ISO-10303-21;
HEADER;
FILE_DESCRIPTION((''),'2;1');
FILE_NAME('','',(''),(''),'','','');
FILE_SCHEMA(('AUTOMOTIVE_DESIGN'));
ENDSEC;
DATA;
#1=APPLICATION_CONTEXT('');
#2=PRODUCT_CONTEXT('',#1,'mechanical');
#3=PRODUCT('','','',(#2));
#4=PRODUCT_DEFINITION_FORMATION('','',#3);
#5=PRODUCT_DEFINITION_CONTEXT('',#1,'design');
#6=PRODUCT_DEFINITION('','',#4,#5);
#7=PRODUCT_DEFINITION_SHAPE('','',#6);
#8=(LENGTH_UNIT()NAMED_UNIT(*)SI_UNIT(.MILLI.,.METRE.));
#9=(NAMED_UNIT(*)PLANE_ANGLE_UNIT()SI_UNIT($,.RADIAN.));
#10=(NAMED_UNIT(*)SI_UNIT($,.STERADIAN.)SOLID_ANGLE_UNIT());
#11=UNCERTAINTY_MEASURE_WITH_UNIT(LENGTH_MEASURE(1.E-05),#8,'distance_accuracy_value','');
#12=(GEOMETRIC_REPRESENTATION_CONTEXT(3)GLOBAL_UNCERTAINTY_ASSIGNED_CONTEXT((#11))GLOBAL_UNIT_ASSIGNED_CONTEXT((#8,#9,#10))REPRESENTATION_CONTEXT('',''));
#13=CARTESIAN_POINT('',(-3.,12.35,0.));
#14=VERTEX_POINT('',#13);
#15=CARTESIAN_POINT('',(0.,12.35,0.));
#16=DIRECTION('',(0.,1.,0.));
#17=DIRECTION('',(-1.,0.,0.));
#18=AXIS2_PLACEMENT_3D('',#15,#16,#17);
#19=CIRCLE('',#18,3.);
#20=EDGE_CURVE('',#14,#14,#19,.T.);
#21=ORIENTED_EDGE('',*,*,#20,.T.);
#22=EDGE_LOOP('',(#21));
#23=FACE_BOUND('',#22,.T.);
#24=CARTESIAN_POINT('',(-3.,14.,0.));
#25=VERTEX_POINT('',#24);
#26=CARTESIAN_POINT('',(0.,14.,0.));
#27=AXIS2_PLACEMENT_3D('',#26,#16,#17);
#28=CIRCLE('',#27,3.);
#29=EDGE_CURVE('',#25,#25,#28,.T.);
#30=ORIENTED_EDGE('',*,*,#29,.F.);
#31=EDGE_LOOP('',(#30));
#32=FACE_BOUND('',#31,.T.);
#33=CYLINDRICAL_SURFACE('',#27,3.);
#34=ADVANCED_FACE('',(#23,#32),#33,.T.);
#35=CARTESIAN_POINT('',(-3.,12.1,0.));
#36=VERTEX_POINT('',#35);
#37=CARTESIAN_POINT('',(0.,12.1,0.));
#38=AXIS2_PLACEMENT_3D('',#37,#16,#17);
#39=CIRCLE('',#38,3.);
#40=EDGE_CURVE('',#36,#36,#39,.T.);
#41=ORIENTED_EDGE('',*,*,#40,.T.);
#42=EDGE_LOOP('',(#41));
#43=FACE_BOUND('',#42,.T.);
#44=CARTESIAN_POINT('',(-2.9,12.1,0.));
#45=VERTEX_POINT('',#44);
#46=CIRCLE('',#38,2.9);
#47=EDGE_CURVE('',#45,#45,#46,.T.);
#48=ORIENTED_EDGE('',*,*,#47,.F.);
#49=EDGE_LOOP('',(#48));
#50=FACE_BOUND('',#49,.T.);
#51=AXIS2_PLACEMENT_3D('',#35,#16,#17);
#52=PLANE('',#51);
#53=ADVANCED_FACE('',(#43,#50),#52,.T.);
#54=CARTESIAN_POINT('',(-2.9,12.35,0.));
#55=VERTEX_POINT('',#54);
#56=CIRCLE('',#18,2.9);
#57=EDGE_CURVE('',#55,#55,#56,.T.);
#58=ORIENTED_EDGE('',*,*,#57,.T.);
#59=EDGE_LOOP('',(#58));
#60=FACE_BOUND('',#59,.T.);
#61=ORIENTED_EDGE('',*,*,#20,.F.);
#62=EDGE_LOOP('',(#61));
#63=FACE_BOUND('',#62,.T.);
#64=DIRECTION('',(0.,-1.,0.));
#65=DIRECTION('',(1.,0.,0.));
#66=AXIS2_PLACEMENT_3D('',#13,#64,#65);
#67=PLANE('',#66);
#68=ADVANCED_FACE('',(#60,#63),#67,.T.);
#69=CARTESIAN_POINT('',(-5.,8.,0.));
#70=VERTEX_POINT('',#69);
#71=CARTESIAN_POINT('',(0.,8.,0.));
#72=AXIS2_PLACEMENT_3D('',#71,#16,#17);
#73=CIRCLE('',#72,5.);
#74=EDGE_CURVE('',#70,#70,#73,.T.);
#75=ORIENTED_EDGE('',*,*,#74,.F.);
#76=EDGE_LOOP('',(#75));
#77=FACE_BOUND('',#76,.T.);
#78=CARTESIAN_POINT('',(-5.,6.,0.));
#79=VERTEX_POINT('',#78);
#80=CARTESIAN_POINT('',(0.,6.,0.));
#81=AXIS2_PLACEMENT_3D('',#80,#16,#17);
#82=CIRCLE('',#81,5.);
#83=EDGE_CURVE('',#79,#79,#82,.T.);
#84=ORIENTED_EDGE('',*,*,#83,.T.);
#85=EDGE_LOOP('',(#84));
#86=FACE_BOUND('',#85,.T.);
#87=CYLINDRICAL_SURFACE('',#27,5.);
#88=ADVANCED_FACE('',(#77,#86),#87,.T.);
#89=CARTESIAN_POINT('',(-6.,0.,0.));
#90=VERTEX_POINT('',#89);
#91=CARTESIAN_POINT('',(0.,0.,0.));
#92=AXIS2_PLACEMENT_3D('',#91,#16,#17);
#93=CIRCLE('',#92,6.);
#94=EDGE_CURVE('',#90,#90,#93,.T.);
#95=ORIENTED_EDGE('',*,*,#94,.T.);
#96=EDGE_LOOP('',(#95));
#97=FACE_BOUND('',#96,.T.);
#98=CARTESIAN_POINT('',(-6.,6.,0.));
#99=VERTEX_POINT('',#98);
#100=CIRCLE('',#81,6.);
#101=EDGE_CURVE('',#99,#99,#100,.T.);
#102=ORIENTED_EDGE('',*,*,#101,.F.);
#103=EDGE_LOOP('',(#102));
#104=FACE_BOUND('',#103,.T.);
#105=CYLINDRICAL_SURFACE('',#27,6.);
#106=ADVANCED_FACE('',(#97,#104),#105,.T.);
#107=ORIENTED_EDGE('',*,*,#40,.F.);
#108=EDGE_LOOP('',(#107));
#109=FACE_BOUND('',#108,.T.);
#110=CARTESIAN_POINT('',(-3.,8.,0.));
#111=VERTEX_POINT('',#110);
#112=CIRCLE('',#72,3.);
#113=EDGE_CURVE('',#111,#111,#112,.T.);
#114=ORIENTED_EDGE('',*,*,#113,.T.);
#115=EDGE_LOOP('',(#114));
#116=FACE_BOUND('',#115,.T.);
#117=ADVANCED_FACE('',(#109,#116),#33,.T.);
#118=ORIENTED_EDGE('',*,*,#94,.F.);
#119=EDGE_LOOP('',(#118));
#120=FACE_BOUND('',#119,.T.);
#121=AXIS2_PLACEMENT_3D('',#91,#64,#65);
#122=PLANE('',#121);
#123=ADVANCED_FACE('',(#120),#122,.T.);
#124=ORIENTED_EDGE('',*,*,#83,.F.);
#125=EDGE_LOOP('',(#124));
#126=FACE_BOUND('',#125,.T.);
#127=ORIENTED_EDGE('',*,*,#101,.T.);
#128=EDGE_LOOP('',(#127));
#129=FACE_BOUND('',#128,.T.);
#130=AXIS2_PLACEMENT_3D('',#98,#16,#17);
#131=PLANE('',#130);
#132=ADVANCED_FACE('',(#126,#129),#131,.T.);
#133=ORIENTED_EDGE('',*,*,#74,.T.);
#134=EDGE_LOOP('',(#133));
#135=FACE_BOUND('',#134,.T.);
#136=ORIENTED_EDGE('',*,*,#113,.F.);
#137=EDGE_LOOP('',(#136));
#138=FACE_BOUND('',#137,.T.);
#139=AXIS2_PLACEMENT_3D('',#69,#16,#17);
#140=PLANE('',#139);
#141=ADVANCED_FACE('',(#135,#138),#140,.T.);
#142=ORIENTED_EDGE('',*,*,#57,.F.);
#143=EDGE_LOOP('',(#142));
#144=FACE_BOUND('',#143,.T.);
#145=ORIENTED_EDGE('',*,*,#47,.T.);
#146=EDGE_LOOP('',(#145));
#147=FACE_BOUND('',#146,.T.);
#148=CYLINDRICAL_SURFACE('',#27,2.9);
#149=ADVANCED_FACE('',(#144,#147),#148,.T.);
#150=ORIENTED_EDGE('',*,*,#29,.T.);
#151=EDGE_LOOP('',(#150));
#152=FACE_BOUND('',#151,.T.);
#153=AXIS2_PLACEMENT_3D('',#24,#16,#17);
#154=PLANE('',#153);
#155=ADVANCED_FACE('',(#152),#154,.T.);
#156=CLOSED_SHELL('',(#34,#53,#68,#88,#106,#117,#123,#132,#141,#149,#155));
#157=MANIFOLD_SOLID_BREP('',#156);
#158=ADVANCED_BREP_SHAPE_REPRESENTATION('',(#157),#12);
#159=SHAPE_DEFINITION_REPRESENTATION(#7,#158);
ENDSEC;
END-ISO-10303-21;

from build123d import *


with BuildPart() as part:
    # Sketch1 → Revolve1 (revolve)
    with BuildSketch(Plane.XY):
        Polygon((0, 0), (-6, 0), (-6, 6), (-5, 6), (-5, 8), (-3, 8), (-3, 12.1), (-2.9, 12.1), (-2.9, 12.35), (-3, 12.35), (-3, 14), (0, 14), align=None)
    revolve(axis=Axis((0, 14, 0), (0, -1, 0)))


solid = part.part
